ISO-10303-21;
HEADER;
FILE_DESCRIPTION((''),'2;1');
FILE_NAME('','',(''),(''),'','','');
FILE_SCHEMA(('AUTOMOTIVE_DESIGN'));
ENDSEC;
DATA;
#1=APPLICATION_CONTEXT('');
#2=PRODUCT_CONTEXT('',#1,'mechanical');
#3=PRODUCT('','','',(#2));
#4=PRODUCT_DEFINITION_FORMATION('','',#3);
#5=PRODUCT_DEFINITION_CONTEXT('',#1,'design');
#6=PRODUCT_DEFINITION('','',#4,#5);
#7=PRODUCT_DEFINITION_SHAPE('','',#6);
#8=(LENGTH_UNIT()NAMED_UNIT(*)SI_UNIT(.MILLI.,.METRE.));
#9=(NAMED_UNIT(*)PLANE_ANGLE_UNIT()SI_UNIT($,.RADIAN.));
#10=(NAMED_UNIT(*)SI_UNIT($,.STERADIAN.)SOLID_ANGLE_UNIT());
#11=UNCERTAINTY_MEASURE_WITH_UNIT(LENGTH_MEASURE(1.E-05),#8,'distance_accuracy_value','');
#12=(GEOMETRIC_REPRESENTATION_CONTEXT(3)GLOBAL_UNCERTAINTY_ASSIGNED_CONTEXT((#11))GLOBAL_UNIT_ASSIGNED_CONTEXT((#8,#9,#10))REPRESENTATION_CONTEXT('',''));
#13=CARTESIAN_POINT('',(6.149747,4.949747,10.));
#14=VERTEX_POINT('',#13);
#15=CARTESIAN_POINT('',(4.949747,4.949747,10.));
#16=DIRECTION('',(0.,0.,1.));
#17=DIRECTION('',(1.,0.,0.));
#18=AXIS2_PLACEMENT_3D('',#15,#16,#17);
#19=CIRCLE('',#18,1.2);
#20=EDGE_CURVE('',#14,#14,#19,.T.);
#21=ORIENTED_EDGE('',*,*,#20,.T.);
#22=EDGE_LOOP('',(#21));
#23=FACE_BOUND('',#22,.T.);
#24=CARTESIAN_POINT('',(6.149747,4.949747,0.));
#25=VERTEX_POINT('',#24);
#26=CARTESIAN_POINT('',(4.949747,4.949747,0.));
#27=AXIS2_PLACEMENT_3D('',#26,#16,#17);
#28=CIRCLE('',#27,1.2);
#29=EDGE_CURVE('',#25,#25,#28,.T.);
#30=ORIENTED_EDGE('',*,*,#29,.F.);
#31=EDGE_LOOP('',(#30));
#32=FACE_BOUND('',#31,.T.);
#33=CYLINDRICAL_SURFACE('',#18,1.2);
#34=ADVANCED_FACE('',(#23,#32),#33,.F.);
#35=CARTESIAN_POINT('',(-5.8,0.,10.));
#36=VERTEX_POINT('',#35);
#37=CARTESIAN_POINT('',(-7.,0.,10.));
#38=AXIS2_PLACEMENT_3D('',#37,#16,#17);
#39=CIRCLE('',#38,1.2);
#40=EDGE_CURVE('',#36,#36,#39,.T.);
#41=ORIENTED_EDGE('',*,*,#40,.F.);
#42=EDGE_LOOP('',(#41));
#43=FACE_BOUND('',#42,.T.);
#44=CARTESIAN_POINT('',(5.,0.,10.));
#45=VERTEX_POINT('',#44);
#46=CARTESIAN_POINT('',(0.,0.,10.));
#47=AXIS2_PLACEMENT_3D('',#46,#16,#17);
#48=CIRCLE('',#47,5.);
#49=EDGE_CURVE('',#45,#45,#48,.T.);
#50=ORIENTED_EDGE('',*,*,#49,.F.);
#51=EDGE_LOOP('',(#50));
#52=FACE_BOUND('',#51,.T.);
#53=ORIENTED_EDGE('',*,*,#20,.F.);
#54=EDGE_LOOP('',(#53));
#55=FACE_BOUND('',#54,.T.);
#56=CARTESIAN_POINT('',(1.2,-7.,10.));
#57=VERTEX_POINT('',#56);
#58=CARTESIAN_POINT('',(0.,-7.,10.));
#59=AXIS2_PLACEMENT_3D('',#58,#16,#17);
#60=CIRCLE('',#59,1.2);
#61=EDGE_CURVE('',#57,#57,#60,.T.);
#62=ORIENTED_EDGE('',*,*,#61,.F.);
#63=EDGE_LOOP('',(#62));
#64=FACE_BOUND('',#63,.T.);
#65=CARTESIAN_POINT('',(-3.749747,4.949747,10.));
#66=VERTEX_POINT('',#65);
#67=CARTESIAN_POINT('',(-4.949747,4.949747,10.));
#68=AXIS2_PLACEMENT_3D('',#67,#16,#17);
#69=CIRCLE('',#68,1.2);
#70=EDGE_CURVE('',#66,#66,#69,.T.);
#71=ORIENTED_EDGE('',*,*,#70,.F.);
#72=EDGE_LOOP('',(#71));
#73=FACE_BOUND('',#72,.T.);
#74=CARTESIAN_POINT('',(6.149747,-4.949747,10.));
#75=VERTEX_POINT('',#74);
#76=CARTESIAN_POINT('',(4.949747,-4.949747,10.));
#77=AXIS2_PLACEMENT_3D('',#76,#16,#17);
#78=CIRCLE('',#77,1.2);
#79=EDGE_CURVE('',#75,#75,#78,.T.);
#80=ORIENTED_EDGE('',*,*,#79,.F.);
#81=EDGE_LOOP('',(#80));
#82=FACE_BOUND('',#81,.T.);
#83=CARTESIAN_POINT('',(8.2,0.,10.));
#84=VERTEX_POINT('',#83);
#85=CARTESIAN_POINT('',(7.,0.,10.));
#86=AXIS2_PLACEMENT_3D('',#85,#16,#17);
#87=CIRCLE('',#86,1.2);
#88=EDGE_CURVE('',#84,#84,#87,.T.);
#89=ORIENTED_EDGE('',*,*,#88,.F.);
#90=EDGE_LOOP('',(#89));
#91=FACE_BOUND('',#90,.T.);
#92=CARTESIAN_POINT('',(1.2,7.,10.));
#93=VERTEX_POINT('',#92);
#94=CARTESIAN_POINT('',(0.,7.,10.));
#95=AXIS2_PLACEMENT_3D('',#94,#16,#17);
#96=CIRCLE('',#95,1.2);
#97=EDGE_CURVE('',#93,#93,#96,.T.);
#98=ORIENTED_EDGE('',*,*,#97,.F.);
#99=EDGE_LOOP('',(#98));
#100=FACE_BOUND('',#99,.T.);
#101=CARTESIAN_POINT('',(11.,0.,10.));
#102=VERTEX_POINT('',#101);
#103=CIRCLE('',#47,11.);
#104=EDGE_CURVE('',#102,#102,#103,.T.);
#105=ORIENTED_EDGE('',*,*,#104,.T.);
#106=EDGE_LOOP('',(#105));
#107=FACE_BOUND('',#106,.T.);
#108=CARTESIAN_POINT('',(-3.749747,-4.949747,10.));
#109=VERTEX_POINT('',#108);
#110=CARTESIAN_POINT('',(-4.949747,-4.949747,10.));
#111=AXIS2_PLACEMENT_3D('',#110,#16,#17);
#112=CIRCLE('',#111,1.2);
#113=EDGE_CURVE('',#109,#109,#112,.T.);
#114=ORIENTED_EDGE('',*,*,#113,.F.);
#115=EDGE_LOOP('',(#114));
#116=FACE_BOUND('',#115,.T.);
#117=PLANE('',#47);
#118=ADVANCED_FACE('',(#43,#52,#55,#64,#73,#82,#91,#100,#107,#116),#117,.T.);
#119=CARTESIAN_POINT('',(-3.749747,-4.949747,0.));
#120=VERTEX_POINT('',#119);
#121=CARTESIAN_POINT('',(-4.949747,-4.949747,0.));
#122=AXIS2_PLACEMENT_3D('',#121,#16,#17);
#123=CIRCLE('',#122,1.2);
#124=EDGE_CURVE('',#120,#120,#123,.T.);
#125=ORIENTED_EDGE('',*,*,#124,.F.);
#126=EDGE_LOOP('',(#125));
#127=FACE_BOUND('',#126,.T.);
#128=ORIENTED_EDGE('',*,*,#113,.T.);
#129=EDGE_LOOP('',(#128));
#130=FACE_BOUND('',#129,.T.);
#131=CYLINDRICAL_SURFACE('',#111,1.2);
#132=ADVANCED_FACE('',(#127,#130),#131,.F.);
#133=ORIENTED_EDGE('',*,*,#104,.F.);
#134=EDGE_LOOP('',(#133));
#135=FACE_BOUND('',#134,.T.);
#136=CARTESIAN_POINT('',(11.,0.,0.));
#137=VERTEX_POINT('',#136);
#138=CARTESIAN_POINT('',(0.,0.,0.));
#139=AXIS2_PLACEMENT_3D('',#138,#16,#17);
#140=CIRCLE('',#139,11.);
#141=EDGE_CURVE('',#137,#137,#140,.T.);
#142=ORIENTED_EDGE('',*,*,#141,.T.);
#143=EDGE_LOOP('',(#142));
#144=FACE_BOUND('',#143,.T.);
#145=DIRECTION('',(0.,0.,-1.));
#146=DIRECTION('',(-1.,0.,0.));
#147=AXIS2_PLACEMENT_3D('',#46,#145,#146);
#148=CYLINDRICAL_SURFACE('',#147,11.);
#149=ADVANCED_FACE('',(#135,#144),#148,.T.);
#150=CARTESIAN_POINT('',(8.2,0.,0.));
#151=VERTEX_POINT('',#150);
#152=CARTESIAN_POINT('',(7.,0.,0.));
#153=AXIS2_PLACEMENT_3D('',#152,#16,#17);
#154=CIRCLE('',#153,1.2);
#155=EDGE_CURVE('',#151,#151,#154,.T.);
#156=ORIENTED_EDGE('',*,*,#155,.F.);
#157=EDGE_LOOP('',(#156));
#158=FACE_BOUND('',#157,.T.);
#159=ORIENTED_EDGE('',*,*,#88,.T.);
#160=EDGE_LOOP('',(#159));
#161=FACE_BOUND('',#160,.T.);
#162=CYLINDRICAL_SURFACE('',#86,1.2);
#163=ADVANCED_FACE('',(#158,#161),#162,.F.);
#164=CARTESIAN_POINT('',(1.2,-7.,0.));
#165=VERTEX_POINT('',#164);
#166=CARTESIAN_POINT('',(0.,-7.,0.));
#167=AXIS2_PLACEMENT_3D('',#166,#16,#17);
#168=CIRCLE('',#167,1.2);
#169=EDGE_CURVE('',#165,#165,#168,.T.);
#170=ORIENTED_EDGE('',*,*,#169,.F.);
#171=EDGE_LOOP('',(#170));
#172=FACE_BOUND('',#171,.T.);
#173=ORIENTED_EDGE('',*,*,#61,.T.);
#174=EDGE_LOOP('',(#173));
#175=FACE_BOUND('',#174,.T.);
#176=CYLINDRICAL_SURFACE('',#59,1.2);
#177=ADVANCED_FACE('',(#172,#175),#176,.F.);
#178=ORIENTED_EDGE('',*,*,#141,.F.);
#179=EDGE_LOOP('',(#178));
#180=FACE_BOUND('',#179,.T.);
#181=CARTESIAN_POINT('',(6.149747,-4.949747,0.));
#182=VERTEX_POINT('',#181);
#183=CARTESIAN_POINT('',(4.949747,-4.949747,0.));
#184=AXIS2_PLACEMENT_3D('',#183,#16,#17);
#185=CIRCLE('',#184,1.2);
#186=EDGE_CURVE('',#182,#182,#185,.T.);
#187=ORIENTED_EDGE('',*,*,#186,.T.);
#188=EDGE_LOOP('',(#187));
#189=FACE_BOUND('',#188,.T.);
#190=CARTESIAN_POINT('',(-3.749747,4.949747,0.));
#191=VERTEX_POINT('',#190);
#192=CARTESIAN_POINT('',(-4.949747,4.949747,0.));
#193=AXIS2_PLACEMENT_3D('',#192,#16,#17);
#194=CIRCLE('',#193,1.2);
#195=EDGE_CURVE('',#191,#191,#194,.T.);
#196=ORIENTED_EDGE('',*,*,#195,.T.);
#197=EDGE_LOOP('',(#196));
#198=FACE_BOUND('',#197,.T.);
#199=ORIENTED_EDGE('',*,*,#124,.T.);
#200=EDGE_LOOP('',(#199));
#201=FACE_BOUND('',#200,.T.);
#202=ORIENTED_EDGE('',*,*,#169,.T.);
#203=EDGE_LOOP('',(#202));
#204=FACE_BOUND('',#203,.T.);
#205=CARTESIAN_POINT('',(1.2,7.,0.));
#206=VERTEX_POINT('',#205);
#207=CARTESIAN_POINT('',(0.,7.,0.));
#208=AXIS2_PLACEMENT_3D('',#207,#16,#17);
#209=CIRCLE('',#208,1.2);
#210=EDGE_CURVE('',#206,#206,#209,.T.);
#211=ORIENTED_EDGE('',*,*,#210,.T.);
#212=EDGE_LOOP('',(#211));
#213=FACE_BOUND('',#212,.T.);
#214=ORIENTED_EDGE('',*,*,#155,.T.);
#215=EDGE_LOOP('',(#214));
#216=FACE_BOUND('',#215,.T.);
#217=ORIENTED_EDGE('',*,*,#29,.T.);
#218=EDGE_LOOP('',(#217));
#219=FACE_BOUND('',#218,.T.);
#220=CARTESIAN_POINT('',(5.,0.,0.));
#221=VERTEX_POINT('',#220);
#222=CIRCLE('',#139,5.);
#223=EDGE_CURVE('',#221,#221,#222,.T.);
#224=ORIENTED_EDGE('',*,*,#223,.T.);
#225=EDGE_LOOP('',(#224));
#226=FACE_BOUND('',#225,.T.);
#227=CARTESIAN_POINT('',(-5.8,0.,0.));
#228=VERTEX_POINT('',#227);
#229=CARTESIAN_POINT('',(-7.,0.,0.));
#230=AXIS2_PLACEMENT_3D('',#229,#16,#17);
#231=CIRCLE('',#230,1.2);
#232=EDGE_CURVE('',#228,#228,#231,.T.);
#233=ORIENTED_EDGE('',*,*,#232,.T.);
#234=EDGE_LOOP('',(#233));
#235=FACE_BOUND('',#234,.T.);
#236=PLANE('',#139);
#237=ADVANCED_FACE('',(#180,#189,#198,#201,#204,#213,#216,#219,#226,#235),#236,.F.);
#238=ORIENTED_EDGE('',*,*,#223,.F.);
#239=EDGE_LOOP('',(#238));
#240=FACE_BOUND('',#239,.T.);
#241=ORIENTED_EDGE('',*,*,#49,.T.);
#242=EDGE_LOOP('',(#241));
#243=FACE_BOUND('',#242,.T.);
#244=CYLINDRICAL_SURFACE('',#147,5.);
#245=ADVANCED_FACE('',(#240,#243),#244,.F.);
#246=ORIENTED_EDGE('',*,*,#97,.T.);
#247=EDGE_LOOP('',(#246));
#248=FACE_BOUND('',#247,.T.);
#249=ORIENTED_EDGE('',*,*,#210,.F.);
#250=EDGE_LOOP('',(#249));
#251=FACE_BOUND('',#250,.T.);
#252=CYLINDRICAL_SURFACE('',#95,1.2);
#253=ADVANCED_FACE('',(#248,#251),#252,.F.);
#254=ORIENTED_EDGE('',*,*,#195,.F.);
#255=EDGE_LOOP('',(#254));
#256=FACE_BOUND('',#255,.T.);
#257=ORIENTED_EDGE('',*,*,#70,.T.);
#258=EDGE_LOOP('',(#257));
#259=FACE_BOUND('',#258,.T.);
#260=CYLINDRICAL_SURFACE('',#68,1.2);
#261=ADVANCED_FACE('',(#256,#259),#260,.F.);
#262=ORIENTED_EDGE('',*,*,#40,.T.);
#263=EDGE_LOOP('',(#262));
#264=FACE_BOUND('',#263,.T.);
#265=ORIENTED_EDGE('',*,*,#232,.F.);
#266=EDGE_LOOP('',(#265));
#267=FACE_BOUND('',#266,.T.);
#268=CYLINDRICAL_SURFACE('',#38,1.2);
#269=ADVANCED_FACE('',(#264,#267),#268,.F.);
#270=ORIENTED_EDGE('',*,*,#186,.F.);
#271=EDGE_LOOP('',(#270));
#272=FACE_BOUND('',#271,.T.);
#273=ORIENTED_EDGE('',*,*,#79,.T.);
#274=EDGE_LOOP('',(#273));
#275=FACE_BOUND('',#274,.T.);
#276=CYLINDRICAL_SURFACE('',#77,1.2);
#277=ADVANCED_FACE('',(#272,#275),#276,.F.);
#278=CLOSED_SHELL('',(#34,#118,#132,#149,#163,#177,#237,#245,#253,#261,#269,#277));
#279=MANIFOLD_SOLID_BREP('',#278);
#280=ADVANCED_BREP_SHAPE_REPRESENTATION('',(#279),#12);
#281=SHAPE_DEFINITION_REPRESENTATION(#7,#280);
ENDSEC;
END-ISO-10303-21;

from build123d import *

# Parameters (mm, degrees)
ESQUISSE1_R          = 11
ESQUISSE1_R_2        = 5
BOSS_EXTRU_1_DEPTH   = 10
D_GAGEMENT_M21_D     = 2.4
D_GAGEMENT_M21_DEPTH = 10


with BuildPart() as part:
    # Esquisse1 → Boss.-Extru.1 (new body)
    with BuildSketch(Plane.XY):
        Circle(ESQUISSE1_R)
        Circle(ESQUISSE1_R_2, mode=Mode.SUBTRACT)
    extrude(amount=BOSS_EXTRU_1_DEPTH)

    # Dégagement M21
    with Locations(Plane.XY.offset(10)):
        with Locations((0, 7), (4.949747468, 4.949747468), (7, 0), (4.949747468, -4.949747468), (0, -7), (-4.949747468, -4.949747468), (-7, 0), (-4.949747468, 4.949747468), (0, 0)):
            Hole(D_GAGEMENT_M21_D / 2, depth=D_GAGEMENT_M21_DEPTH)


solid = part.part
